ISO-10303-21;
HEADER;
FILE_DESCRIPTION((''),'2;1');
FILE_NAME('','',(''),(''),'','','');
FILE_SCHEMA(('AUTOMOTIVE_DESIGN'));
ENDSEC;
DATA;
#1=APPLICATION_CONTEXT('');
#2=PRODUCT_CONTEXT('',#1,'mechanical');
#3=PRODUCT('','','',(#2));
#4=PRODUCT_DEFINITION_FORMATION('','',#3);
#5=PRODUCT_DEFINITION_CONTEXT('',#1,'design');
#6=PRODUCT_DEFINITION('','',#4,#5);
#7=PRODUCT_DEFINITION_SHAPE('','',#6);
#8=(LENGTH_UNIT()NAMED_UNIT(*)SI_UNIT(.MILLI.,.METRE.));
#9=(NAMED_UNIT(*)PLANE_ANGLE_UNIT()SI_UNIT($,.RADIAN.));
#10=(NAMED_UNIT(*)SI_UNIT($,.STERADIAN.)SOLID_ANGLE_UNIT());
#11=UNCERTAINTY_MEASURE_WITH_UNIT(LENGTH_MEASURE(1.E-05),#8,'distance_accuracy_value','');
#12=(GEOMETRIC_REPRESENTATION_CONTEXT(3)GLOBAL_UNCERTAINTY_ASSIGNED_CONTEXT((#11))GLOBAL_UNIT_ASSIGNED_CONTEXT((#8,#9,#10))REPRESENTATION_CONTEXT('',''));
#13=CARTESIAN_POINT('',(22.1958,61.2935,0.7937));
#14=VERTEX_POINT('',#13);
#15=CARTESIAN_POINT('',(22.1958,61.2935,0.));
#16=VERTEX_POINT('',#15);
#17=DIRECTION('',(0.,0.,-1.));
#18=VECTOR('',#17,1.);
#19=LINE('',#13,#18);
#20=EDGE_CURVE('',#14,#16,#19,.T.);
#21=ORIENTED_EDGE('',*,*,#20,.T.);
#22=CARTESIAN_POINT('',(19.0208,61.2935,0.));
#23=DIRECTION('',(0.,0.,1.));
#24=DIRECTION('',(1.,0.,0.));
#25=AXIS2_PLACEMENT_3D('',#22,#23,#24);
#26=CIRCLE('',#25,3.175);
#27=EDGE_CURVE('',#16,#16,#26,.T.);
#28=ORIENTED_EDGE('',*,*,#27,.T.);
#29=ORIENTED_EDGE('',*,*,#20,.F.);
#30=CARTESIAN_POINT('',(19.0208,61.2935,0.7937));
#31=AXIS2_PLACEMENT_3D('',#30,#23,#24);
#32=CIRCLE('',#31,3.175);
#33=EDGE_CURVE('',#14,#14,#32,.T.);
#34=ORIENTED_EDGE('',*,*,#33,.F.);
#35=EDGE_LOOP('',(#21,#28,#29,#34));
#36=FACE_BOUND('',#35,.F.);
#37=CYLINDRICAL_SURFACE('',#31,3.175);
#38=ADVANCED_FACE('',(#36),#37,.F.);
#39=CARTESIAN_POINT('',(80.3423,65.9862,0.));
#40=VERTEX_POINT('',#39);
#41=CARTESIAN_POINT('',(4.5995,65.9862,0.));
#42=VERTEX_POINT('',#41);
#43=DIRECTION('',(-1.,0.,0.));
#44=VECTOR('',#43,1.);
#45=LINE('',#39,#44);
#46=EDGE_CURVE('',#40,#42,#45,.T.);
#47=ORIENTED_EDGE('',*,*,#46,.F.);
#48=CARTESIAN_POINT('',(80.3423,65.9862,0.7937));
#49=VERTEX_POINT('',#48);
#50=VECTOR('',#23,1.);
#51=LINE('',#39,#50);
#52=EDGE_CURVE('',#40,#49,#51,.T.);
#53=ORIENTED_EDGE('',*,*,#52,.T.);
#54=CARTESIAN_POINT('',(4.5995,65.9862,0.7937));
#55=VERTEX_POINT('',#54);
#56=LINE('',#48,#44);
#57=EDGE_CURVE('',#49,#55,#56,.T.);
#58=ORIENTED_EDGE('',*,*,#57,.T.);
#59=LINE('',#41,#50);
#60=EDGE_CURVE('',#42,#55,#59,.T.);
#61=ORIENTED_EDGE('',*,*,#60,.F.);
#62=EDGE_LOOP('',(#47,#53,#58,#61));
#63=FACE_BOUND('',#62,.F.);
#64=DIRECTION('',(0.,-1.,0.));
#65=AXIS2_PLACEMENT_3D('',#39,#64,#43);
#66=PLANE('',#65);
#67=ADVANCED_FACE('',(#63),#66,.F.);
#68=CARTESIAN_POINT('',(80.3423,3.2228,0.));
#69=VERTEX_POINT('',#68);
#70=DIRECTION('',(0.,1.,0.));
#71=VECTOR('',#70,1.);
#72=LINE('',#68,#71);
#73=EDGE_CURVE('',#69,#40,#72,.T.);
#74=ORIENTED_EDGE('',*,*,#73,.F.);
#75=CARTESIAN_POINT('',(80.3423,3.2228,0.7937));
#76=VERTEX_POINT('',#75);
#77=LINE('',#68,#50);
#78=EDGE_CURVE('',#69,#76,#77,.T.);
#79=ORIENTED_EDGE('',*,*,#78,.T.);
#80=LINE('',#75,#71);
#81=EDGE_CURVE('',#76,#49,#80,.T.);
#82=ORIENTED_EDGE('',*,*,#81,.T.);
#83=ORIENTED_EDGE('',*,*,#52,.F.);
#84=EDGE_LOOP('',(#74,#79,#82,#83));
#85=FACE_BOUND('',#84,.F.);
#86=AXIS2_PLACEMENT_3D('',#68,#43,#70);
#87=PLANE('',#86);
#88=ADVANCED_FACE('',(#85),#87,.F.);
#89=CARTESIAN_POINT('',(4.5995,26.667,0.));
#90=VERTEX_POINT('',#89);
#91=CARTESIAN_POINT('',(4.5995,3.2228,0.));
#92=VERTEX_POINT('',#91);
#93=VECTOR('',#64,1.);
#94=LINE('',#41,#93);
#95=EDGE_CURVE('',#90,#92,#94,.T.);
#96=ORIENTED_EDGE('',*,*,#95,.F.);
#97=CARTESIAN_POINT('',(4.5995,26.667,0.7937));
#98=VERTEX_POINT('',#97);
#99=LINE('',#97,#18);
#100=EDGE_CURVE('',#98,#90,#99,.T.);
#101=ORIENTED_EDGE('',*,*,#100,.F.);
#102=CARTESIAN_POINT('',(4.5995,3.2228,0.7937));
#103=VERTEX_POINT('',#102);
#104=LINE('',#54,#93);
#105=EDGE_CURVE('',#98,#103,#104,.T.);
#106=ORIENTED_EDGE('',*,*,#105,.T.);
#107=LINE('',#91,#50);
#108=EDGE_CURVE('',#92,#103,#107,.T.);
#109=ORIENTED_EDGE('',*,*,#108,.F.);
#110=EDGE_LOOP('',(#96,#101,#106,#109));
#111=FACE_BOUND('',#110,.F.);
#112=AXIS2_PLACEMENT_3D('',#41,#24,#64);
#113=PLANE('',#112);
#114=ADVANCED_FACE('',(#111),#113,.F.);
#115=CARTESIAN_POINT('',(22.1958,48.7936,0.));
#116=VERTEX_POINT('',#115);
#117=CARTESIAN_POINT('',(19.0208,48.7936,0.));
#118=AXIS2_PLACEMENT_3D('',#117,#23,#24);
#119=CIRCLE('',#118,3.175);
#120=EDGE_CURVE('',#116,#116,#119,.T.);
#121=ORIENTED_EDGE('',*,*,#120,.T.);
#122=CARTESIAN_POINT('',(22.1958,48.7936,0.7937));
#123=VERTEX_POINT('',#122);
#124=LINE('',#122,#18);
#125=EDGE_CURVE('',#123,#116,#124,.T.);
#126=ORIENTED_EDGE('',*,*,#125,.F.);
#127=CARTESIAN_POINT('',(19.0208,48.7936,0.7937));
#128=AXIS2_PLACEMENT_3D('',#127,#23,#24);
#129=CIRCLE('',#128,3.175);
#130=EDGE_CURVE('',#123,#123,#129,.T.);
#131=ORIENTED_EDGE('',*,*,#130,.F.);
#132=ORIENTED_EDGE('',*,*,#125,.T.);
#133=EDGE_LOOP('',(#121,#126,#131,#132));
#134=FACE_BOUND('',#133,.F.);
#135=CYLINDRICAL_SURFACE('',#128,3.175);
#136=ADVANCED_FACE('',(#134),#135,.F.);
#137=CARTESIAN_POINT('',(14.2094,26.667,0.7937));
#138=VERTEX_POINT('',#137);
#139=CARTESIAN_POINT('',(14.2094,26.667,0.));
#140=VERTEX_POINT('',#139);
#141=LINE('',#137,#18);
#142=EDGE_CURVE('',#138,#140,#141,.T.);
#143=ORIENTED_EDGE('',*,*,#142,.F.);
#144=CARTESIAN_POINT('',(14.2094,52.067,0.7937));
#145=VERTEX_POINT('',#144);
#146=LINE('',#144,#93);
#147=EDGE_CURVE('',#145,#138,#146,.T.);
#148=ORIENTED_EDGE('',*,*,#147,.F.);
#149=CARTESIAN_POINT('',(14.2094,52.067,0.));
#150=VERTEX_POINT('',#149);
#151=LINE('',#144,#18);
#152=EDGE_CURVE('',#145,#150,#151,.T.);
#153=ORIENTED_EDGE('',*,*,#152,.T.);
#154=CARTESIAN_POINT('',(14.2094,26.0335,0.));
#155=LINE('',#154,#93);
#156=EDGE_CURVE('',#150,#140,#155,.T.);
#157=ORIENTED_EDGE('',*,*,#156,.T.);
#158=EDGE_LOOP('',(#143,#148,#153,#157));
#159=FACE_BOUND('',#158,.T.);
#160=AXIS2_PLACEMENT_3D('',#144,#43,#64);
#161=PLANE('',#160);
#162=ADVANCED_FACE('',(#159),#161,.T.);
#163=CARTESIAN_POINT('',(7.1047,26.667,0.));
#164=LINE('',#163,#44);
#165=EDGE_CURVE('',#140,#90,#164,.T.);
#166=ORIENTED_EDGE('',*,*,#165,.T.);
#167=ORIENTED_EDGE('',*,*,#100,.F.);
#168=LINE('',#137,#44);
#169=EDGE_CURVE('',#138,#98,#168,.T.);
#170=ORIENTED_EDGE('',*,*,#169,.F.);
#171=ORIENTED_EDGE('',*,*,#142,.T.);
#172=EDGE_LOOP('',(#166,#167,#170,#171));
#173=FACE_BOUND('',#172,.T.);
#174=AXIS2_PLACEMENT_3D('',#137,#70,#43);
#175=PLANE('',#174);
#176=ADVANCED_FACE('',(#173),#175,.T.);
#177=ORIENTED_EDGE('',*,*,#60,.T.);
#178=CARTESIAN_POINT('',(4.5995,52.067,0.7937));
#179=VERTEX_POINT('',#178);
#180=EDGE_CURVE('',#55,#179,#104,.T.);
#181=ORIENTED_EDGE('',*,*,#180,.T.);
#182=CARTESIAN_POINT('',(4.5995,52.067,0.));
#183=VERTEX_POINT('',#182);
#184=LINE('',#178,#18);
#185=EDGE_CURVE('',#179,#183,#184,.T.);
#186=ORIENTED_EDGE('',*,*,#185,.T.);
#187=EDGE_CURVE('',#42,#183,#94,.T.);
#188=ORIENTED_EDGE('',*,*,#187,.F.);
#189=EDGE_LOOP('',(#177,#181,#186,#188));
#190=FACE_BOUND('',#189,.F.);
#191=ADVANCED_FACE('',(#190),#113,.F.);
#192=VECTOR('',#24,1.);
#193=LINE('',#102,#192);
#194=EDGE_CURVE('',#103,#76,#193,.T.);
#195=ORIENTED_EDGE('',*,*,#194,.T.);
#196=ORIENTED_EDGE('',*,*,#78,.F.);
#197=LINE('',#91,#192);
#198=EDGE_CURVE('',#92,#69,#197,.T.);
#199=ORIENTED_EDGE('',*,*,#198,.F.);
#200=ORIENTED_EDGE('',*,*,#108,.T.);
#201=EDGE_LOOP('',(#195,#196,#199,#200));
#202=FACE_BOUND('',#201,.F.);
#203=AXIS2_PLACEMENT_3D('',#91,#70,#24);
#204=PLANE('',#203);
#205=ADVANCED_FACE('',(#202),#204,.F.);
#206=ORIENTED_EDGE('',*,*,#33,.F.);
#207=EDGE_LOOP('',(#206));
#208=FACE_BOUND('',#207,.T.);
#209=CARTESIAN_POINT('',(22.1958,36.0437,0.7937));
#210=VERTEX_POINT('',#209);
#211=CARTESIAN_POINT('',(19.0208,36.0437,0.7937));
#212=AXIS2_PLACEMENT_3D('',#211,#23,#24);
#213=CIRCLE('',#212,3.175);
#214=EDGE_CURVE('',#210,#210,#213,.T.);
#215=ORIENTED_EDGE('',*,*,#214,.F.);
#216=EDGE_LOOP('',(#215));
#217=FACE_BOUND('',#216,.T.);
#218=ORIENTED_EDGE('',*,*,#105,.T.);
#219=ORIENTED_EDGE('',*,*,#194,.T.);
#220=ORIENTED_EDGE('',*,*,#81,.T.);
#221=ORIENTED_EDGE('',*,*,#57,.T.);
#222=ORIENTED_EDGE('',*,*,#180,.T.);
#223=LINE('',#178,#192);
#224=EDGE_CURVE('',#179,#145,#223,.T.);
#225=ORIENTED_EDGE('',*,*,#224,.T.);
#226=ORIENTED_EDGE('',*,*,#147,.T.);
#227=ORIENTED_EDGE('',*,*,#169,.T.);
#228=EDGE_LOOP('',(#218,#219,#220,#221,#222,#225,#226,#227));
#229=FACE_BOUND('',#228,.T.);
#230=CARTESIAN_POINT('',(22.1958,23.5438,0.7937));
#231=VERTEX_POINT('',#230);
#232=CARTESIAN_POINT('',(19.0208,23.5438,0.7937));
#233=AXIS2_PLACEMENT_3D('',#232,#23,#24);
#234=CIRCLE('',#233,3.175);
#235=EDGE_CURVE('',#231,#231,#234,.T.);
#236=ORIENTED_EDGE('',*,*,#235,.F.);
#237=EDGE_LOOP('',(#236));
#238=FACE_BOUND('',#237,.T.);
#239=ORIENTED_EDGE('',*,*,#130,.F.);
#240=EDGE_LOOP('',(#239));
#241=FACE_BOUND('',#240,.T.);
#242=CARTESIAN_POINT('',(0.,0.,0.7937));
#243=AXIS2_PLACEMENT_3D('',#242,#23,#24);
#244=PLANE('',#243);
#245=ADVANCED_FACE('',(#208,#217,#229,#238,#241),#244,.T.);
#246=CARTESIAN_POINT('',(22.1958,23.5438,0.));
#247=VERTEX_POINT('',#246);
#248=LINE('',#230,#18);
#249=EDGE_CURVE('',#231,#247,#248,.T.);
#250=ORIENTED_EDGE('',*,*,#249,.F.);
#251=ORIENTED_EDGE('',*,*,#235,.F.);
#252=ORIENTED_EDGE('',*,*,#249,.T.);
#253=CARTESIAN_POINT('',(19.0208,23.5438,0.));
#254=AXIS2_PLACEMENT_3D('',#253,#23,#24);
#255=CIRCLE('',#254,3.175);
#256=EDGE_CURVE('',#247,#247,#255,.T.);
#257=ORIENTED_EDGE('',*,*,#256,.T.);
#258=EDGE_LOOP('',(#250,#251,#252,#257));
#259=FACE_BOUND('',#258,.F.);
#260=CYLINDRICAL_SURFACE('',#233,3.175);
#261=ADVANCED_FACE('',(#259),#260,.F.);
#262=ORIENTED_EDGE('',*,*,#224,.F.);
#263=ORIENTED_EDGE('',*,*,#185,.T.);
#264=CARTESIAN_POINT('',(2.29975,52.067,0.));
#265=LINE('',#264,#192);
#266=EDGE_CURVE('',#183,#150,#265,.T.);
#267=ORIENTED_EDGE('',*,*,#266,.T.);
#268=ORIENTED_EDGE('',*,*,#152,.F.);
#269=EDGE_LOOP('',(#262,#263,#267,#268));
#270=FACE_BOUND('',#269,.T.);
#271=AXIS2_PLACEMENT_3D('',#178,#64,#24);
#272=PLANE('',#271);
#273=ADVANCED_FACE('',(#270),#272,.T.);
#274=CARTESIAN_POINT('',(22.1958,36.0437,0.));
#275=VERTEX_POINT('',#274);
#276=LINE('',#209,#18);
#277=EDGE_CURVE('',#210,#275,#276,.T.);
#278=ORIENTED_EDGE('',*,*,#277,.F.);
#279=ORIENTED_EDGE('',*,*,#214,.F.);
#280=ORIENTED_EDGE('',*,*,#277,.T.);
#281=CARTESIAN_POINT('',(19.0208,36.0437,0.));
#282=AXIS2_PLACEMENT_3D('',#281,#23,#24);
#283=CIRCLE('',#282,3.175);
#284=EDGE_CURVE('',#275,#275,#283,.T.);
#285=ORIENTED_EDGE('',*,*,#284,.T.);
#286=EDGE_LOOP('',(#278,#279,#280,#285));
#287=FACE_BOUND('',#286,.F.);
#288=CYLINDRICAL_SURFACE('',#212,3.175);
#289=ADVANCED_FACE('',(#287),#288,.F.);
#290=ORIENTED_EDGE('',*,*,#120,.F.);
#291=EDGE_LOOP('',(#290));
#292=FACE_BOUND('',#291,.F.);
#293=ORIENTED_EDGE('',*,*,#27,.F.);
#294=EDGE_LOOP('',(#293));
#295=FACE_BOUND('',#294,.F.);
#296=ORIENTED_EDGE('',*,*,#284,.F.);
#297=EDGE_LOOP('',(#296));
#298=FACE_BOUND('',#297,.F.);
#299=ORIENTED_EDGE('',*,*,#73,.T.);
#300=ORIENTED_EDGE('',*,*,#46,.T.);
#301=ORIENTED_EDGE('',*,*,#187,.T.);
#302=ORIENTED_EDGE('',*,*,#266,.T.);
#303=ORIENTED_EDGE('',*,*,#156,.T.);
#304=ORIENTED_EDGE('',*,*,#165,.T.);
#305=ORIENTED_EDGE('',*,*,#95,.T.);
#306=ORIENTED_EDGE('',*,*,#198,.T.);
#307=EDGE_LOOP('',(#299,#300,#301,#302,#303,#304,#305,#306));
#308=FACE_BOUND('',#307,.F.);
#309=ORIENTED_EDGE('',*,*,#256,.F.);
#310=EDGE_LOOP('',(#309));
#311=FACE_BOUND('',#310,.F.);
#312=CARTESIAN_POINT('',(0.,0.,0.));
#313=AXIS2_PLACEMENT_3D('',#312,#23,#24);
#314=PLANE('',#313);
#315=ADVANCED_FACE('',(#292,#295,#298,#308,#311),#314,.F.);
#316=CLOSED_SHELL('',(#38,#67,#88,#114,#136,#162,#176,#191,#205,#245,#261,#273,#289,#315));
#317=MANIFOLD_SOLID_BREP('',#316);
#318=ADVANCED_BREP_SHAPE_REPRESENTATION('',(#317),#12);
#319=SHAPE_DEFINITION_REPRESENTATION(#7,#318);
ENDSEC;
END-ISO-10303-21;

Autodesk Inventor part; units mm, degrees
ref_plane "YZ Plane" through (0, 0, 0) normal (1, 0, 0) x (0, 1, 0)
ref_plane "XZ Plane" through (0, 0, 0) normal (0, 1, 0) x (-1, 0, 0)
ref_plane "XY Plane" through (0, 0, 0) normal (0, 0, 1) x (1, 0, 0)
sketch "Sketch1" plane through (0, 0, 0) normal (0, 0, 1) x (1, 0, 0)
  line L0 (4.5995, 3.2228) -> (80.3423, 3.2228)
  line L1 (80.3423, 3.2228) -> (80.3423, 65.9862)
  line L2 (80.3423, 65.9862) -> (4.5995, 65.9862)
  line L3 (4.5995, 65.9862) -> (4.5995, 3.2228)
  point P0 (0, 0)
  dimension "d0" = 75.7428
  dimension "d1" = 62.7634
extrude "Extrusion1" add sketch "Sketch1" along normal blind 0.7937
sketch "Sketch4" plane through (0, 0, 0.7937) normal (0, 0, 1) x (1, 0, 0)
  line L0 (4.5995, 3.2228) -> (4.5995, 65.9862) projected
  line L1 (4.5995, 65.9862) -> (80.3423, 65.9862) projected
  line L2 (4.5995, 52.067) -> (14.2094, 52.067)
  line L3 (14.2094, 52.067) -> (14.2094, 26.667)
  line L4 (14.2094, 26.667) -> (4.5995, 26.667)
  line L5 (4.5995, 26.667) -> (4.5995, 52.067)
  point P0 (0, 0)
  dimension "d18" = 13.9192
  dimension "d19" = 25.4
extrude "Extrusion4" cut sketch "Sketch4" against normal through all
sketch "Sketch5" plane through (0, 0, 0.7937) normal (0, 0, 1) x (1, 0, 0)
  line L0 (4.5995, 65.9862) -> (80.3423, 65.9862) projected
  line L1 (4.5995, 52.067) -> (4.5995, 65.9862) projected
  circle A0 centre (19.0208, 61.2935) radius 3.175
  circle A1 centre (19.0208, 48.7936) radius 3.175
  circle A2 centre (19.0208, 36.0437) radius 3.175
  circle A3 centre (19.0208, 23.5438) radius 3.175
  point P0 (0, 0)
  dimension "d20" = 6.35
  dimension "d21" = 14.4213
  dimension "d28" = 12.4999
  dimension "d29" = 12.7499
  dimension "d30" = 12.4999
  dimension "d31" = 4.6927
extrude "Extrusion5" cut sketch "Sketch5" against normal through all
equation "\"d30\" = d28"
properties part number "lcd_standoff"
